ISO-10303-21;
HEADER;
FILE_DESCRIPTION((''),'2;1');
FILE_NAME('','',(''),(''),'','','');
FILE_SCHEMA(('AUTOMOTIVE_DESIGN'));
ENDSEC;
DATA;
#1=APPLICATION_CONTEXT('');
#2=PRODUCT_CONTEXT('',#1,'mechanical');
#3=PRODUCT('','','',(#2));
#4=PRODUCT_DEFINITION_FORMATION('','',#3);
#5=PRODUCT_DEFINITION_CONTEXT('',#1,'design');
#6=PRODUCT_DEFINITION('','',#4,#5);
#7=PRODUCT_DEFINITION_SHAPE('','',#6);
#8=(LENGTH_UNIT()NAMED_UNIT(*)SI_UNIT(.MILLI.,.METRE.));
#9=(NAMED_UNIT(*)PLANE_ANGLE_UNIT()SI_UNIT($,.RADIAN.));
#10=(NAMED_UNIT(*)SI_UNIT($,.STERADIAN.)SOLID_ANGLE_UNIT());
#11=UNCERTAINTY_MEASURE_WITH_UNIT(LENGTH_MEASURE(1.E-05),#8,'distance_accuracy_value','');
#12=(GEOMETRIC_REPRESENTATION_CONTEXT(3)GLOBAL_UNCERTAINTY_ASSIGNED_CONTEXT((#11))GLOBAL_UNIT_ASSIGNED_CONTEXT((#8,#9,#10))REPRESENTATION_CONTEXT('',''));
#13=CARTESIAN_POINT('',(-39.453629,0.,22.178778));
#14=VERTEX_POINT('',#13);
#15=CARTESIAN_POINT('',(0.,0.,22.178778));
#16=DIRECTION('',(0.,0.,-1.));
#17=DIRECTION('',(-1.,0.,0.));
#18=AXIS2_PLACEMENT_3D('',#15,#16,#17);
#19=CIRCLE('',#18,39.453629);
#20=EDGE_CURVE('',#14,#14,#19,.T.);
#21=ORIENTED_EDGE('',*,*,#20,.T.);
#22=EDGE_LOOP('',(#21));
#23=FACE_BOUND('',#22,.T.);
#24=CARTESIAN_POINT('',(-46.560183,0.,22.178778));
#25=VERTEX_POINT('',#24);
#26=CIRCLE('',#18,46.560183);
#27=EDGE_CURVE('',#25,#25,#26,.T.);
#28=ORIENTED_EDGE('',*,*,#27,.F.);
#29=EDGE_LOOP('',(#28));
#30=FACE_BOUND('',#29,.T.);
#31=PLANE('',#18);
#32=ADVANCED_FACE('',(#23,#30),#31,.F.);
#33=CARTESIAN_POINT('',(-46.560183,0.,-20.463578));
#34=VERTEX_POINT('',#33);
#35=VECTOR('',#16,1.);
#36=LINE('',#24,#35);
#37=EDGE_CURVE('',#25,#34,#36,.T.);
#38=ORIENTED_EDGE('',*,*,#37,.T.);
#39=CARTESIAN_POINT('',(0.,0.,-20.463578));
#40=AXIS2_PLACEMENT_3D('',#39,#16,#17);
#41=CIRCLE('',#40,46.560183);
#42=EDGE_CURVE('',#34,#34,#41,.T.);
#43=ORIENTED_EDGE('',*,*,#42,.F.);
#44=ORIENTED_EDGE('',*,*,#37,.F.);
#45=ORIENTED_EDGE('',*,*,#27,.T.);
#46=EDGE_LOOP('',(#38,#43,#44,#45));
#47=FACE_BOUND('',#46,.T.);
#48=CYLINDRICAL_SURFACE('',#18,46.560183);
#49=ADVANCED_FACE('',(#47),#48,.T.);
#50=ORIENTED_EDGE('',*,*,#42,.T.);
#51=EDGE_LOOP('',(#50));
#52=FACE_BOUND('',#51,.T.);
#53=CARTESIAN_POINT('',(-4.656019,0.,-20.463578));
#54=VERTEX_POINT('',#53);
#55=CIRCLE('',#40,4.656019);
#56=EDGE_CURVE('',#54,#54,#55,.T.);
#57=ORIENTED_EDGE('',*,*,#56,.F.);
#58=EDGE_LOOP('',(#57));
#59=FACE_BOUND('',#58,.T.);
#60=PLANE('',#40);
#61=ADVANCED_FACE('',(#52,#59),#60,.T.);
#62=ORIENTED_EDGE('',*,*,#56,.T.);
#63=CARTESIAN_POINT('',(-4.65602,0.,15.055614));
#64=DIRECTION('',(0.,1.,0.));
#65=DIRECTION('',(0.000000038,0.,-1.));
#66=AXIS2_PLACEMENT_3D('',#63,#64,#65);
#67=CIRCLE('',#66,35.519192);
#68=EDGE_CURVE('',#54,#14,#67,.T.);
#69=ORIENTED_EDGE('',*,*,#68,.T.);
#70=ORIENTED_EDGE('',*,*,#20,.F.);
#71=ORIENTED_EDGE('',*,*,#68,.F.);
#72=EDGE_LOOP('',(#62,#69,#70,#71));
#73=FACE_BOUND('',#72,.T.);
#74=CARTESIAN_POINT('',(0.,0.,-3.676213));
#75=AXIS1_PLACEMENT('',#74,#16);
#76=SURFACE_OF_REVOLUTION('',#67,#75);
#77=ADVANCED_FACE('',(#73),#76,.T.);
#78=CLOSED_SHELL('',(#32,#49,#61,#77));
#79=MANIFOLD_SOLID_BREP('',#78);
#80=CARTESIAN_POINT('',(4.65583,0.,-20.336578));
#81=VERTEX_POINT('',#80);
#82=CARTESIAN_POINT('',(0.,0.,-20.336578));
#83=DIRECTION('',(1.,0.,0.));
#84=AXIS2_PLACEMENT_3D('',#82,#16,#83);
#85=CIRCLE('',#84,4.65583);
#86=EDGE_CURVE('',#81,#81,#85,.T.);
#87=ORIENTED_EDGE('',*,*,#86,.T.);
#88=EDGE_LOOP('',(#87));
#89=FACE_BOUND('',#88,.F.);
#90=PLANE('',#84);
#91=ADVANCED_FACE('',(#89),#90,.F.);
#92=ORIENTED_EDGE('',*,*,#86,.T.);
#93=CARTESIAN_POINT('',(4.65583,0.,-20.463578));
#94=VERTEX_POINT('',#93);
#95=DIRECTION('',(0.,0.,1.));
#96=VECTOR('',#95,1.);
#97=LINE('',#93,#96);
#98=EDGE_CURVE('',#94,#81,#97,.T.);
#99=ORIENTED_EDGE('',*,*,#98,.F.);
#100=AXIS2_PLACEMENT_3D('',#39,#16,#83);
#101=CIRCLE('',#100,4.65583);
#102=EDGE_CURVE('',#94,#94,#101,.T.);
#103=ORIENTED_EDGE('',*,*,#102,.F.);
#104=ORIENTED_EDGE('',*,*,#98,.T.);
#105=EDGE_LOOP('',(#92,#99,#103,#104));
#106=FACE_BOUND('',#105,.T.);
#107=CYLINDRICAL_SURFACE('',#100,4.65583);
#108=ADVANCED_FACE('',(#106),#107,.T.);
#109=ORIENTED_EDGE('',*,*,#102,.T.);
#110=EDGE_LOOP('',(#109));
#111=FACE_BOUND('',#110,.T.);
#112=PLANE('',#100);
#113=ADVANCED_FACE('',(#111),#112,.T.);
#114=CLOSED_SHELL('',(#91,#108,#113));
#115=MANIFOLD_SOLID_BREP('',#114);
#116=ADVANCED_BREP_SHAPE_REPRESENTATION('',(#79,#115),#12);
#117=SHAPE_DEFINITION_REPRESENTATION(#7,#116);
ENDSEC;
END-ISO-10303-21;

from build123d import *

# Parameters (mm, degrees)
F2_R     = 4.65583
F3_DEPTH = 0.127


with BuildPart() as f1:
    # F0 (on Front) → F1 (revolve)
    with BuildSketch(Plane.XZ):
        with BuildLine():
            Line((-39.453629, 22.178778), (-46.560183, 22.178778))
            Line((-46.560183, 22.178778), (-46.560183, -20.463578))
            Line((-46.560183, -20.463578), (-4.656019, -20.463578))
            ThreePointArc((-4.656019, -20.463578), (-32.175305, -7.401055), (-39.453629, 22.178778))
        make_face()
    revolve(axis=Axis((0, 0, -3.676213), (0, 0, -1)))


with BuildPart() as f3:
    # F2 (on face) → F3 (new body)
    with BuildSketch(Plane(origin=(0, 0, -20.463578), x_dir=(1, 0, 0), z_dir=(0, 0, -1))):
        Circle(F2_R)
    extrude(amount=-F3_DEPTH)


solid = Compound([f1.part, f3.part])
